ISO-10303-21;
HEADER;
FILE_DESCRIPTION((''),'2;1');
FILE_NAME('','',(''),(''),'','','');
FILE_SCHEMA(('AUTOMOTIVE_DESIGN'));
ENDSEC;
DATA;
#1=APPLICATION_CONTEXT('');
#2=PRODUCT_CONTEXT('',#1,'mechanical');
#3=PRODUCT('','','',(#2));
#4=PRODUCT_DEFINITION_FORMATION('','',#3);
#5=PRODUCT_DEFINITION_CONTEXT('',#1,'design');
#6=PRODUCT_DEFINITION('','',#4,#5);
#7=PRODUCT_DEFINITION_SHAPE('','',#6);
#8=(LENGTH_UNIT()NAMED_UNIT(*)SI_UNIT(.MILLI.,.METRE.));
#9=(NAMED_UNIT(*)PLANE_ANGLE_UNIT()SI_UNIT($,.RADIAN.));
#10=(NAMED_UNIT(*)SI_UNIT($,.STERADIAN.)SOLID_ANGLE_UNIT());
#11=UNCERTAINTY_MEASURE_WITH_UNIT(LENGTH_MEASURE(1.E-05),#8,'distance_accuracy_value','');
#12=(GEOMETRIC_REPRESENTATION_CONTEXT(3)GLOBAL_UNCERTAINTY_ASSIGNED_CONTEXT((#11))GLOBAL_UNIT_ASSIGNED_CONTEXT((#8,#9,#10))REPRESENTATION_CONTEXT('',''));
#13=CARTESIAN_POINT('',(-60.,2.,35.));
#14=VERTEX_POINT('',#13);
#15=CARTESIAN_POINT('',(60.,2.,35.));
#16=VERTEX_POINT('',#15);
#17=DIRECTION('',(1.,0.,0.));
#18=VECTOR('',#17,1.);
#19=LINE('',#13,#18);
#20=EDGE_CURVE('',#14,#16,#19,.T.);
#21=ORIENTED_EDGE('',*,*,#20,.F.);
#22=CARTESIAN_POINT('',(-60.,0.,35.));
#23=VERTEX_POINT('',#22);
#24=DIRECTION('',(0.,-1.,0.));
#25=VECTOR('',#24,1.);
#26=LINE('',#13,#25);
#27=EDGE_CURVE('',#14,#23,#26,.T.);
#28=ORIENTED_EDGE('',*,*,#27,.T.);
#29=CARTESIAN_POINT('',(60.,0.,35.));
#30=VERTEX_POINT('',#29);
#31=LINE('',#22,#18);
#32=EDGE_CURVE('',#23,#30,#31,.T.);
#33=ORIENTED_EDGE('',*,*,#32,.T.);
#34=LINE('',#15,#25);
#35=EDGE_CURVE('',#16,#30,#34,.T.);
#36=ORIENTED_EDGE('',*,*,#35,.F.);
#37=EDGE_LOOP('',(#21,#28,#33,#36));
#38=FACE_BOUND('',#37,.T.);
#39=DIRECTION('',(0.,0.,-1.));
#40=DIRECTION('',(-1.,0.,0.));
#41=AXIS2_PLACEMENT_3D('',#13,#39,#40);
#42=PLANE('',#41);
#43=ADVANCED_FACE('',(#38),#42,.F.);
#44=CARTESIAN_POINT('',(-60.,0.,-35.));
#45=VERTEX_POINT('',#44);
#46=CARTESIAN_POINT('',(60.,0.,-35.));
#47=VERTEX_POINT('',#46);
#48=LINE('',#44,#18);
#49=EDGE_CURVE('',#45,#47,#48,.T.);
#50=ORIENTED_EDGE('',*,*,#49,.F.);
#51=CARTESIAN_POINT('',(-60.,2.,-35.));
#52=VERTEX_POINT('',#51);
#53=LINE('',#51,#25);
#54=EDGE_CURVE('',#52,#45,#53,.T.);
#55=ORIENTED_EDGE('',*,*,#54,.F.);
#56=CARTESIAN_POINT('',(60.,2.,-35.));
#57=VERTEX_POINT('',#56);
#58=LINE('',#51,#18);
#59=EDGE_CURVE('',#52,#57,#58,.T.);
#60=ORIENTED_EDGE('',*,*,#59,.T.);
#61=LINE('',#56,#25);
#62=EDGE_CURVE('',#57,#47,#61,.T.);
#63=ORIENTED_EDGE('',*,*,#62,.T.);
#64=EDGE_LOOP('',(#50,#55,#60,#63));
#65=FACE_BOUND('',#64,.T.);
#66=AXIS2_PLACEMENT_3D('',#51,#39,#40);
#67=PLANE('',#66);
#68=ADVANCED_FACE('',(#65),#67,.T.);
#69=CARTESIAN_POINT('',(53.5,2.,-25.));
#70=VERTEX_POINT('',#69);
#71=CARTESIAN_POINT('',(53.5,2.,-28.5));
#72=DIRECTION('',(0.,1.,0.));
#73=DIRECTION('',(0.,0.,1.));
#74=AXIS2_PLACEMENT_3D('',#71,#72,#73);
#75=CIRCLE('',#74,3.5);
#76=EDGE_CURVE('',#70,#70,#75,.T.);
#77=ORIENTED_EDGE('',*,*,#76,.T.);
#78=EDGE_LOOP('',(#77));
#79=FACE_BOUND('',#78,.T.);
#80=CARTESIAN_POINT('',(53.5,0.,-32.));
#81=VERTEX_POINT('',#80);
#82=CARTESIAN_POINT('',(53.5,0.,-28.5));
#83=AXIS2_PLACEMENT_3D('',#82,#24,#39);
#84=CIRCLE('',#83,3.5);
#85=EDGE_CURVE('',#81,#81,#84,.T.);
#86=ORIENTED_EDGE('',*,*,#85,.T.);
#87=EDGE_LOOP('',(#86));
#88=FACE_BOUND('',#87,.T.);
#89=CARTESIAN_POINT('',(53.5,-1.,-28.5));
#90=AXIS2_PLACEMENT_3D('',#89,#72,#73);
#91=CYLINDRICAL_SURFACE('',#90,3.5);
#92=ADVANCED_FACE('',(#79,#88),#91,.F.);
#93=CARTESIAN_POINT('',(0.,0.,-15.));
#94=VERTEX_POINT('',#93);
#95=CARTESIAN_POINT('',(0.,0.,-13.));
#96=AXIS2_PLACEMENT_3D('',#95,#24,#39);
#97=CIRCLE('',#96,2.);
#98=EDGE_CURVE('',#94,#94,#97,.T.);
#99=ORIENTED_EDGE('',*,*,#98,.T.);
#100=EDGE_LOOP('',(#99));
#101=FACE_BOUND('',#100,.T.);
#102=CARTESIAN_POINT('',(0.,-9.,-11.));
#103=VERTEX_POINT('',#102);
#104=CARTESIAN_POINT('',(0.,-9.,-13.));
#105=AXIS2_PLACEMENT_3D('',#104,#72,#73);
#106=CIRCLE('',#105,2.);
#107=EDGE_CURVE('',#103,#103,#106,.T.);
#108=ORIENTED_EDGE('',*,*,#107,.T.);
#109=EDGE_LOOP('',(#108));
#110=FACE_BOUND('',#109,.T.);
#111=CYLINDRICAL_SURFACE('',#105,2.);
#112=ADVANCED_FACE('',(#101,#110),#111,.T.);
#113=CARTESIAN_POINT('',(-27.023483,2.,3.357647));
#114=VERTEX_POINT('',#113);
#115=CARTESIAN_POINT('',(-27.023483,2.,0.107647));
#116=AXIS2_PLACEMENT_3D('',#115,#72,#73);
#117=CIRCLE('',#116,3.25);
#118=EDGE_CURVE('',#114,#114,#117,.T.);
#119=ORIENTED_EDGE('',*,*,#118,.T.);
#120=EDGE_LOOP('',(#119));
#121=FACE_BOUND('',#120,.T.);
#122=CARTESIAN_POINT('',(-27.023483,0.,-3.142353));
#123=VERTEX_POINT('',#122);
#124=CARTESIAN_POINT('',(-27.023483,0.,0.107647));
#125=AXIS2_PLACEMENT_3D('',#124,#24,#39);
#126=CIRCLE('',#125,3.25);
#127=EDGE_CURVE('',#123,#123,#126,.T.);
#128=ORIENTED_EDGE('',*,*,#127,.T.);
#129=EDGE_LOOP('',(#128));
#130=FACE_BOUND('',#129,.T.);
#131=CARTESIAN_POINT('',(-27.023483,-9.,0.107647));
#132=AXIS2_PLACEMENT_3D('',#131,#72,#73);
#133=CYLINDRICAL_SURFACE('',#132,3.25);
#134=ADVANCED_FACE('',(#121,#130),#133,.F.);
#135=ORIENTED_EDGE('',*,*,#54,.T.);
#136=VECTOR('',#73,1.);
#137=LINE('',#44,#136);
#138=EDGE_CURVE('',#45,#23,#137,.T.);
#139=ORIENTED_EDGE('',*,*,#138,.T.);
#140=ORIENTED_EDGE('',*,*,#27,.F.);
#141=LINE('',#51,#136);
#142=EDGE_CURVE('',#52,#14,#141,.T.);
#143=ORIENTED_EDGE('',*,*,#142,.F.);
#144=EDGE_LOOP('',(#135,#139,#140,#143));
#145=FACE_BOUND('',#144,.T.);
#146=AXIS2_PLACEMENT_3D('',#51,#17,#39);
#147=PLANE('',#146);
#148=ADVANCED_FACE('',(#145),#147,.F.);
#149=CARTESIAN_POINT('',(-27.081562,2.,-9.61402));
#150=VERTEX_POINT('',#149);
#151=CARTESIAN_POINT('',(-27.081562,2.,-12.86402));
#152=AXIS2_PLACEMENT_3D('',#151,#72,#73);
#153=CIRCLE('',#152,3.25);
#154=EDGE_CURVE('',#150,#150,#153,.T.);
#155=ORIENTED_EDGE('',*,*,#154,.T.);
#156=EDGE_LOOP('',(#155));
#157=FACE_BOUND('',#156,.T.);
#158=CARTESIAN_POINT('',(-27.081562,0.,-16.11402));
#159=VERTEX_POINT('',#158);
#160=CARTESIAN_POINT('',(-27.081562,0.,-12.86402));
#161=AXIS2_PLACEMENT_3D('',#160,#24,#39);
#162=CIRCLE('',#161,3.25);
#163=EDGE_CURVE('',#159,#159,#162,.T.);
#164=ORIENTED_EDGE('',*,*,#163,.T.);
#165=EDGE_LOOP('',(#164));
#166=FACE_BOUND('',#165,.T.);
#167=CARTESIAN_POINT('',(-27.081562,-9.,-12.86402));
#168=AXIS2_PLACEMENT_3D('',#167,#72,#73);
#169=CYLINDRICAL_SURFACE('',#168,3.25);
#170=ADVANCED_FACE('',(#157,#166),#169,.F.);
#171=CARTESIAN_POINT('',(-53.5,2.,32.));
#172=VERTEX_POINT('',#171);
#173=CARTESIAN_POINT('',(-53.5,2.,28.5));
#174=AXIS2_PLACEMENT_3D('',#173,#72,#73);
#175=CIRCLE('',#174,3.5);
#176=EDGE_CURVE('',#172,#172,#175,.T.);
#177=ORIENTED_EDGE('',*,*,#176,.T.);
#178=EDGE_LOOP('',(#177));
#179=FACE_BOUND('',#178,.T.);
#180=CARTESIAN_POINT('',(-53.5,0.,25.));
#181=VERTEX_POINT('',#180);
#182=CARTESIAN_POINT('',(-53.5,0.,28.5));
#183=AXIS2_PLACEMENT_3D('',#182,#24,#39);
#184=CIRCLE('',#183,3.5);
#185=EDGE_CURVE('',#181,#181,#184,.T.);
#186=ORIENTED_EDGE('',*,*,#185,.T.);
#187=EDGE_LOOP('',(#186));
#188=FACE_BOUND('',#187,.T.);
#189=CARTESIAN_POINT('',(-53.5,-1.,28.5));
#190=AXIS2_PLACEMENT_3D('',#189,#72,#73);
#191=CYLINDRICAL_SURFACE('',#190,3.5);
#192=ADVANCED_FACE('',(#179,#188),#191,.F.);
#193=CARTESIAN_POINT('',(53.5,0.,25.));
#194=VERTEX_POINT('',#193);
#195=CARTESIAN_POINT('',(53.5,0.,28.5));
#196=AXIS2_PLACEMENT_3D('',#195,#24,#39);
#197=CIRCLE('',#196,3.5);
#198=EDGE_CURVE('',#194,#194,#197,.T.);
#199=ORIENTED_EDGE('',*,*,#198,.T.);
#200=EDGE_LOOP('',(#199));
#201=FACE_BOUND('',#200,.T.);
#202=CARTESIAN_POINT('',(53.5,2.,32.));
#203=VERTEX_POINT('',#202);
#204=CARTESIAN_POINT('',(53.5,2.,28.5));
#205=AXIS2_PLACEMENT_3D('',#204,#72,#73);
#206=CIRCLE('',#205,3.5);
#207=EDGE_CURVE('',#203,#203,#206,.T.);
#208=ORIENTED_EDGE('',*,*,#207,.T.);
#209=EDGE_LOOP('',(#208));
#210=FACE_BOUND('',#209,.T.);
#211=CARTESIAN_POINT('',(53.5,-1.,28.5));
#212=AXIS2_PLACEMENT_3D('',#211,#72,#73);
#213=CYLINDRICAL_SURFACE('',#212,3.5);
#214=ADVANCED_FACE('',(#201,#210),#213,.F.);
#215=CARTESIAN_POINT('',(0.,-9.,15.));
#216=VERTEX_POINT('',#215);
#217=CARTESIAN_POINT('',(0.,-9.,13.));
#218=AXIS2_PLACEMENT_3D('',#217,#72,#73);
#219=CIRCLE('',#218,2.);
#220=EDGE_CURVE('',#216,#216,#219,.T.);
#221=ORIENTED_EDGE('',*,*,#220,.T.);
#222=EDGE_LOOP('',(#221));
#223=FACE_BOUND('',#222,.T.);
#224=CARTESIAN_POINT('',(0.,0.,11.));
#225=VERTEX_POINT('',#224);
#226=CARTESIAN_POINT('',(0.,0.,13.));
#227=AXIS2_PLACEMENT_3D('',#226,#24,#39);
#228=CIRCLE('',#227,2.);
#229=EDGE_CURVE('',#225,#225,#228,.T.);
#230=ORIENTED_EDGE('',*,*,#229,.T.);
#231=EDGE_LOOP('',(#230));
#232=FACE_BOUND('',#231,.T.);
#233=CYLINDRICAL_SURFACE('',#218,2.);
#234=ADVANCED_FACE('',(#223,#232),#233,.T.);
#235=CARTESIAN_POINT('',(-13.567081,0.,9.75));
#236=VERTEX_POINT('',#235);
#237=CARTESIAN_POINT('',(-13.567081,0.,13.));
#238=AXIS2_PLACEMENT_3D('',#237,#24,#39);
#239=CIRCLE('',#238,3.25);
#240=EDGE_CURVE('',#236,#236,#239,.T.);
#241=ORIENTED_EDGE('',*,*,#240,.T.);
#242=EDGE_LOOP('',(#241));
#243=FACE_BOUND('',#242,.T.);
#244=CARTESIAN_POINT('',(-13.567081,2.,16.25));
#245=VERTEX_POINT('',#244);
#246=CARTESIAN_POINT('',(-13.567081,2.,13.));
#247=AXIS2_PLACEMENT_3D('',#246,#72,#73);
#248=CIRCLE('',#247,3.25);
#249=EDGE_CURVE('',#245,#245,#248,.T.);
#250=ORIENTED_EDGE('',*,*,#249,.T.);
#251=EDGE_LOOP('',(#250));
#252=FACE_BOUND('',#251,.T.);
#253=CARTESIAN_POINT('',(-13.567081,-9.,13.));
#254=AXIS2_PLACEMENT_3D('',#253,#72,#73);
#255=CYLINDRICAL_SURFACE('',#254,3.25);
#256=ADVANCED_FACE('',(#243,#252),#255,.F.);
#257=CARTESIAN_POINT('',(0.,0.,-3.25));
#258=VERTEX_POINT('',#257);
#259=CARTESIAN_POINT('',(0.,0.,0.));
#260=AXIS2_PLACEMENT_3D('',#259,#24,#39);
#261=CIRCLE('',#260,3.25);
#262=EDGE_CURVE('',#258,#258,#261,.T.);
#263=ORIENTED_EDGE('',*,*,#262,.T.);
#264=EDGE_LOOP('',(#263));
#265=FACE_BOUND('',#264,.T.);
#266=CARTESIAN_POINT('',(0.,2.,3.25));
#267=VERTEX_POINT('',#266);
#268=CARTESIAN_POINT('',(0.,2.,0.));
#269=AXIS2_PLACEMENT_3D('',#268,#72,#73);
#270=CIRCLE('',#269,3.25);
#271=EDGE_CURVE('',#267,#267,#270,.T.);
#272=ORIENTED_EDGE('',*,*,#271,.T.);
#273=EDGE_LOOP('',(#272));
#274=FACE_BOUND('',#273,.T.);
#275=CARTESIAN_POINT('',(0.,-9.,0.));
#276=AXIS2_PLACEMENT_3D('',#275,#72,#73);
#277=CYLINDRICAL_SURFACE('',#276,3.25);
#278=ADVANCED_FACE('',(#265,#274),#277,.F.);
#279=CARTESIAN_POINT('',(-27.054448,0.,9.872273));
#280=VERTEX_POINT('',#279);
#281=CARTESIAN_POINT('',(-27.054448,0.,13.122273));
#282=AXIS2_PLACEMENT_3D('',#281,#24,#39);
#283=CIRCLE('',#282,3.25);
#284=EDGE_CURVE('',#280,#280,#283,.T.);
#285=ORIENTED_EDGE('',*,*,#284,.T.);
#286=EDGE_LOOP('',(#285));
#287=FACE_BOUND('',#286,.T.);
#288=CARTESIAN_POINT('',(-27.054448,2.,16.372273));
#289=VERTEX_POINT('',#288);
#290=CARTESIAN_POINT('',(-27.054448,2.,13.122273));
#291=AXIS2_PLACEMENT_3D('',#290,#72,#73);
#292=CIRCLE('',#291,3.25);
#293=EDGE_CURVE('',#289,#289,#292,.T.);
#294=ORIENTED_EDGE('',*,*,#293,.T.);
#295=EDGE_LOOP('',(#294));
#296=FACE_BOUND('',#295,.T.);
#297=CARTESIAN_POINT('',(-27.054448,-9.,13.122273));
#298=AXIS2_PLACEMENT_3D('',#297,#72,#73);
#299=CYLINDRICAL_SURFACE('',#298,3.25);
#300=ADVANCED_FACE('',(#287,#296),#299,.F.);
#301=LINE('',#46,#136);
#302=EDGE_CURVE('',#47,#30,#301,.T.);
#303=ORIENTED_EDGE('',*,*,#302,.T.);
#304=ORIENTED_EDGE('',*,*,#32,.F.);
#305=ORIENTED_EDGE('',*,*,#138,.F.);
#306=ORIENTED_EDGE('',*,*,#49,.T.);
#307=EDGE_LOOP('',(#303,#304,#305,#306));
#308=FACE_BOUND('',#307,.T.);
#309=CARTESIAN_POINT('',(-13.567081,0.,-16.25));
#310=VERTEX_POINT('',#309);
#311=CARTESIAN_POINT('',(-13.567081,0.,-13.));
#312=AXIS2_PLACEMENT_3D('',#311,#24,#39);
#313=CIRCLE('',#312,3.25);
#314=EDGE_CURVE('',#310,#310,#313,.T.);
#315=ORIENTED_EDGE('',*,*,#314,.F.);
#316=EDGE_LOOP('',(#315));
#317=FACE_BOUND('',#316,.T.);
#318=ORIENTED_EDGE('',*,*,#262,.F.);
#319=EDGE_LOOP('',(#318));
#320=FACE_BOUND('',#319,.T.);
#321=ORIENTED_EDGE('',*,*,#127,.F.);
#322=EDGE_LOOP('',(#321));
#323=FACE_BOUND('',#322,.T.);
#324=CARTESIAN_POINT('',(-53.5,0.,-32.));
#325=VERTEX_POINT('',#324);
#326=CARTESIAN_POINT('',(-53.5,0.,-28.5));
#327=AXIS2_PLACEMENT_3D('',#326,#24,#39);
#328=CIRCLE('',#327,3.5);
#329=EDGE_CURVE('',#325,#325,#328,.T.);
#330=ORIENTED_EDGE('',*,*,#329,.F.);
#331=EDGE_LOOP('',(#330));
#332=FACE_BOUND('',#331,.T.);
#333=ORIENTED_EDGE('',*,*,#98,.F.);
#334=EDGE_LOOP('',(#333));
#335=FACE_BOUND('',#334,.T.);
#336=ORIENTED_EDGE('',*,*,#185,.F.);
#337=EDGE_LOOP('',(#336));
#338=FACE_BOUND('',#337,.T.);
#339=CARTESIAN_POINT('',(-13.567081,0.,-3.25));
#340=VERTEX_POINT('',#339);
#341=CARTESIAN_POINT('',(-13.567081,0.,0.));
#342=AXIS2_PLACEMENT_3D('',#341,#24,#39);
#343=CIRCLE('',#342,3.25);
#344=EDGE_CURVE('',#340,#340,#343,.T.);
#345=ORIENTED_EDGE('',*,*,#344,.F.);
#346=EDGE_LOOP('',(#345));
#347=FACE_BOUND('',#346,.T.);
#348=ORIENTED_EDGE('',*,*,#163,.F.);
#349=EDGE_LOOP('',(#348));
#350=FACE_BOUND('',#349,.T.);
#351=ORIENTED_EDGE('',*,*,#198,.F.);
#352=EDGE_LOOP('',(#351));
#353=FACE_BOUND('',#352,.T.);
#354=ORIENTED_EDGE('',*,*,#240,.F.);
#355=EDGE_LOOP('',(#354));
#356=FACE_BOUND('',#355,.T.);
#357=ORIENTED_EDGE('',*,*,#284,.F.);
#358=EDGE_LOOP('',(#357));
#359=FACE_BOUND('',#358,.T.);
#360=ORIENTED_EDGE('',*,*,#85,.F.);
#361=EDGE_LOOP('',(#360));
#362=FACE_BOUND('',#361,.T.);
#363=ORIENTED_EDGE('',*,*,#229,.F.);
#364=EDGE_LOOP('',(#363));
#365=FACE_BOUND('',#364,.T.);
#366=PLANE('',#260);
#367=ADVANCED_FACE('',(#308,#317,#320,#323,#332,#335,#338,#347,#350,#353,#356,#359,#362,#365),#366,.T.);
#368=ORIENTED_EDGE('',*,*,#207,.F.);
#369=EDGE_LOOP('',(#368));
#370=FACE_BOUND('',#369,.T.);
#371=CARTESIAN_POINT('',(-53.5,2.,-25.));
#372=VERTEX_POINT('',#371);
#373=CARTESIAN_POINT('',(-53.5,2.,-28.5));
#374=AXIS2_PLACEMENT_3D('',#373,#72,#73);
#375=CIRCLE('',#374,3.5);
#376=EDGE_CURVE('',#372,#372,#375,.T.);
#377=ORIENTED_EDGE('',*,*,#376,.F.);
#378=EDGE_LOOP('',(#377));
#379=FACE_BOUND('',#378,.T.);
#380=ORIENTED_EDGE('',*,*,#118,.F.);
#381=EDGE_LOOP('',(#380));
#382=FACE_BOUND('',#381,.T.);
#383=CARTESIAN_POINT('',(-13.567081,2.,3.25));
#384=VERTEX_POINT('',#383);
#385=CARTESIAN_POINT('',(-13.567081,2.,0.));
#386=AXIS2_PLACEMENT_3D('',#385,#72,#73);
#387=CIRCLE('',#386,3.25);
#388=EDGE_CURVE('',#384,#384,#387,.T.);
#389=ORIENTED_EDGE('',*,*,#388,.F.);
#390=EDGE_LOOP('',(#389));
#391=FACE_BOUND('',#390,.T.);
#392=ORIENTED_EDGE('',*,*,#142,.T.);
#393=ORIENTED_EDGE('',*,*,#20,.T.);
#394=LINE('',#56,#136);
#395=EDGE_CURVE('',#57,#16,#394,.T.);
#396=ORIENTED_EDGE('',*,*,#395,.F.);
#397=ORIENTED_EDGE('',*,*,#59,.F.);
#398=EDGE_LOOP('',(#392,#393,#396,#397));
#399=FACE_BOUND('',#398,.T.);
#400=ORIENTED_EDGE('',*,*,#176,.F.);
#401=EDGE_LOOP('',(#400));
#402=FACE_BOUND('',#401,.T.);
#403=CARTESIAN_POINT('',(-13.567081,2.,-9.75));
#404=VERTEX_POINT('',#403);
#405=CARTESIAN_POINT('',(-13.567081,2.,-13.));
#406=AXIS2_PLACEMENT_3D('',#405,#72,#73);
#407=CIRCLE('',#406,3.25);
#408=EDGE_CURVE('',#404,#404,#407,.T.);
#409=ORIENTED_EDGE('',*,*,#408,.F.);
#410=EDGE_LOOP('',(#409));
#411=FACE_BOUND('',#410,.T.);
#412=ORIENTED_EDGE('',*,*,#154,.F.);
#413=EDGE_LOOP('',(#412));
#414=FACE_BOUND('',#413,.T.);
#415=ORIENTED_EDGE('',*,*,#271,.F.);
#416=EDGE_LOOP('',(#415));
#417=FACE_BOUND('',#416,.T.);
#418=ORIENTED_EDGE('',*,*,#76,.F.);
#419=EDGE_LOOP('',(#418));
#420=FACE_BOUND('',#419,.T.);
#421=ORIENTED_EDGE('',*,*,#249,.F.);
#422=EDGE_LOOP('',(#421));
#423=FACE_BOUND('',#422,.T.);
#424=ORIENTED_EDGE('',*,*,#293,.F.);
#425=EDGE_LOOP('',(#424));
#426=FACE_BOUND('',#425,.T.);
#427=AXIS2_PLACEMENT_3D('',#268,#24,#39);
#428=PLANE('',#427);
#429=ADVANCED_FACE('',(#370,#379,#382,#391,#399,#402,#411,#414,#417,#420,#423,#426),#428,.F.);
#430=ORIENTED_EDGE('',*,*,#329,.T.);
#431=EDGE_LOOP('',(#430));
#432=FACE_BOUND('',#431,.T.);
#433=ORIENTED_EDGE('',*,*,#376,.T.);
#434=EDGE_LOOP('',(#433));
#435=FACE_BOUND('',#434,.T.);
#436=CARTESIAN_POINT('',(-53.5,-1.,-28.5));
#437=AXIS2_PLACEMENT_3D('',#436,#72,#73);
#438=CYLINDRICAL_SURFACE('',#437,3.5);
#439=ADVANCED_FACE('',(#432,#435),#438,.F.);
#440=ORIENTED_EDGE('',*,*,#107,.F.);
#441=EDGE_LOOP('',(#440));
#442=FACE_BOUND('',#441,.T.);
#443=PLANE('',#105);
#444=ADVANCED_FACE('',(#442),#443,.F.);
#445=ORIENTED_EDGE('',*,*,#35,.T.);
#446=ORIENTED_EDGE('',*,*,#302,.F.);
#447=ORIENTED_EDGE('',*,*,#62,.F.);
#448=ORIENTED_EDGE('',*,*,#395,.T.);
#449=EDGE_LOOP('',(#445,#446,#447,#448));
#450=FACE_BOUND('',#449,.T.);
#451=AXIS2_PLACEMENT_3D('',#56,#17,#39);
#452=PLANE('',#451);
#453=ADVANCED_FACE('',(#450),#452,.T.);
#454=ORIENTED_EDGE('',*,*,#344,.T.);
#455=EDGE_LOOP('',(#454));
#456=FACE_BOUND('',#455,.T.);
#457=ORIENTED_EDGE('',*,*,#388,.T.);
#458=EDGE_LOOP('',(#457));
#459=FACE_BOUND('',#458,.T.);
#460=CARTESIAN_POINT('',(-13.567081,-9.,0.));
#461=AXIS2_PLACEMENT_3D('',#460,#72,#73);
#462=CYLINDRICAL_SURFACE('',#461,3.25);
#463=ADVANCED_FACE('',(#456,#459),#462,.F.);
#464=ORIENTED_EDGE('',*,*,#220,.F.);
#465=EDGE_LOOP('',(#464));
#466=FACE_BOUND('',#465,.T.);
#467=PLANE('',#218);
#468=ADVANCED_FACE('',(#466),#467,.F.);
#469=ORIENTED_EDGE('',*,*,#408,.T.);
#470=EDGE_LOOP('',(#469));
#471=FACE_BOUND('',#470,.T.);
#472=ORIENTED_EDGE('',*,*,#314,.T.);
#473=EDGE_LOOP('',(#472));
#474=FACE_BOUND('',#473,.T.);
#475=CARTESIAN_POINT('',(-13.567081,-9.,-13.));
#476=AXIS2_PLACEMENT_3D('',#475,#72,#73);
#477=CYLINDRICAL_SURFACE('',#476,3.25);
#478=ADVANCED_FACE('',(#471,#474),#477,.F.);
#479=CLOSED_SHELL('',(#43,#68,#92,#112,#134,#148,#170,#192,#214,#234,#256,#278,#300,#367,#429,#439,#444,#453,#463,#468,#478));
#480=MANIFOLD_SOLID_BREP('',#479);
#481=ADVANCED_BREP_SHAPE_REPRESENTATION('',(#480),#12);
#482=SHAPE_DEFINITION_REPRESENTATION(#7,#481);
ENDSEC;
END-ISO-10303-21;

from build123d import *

# Parameters (mm, degrees)
SKETCH1_W           = 120
SKETCH1_H           = 70
BOSS_EXTRUDE1_DEPTH = 2
SKETCH3_R           = 3.5
CUT_EXTRUDE1_DEPTH  = 3
SKETCH6_R           = 2
BOSS_EXTRUDE2_DEPTH = 11
SKETCH4_R           = 3.25
CUT_EXTRUDE2_DEPTH  = 11


with BuildPart() as part:
    # Sketch1 → Boss-Extrude1 (new body)
    with BuildSketch(Plane(origin=(0, 0, 0), x_dir=(1, 0, 0), z_dir=(0, 1, 0))):
        Rectangle(SKETCH1_W, SKETCH1_H)
    extrude(amount=BOSS_EXTRUDE1_DEPTH)

    # Sketch3 → Cut-Extrude1 (cut)
    with BuildSketch(Plane(origin=(0, 2, 0), x_dir=(1, 0, 0), z_dir=(0, 1, 0))):
        with Locations(Location((-53.5, 28.5, 0), (0, 0, 270))):
            Circle(SKETCH3_R)
        with Locations(Location((53.5, 28.5, 0), (0, 0, 270))):
            Circle(SKETCH3_R)
        with Locations(Location((-53.5, -28.5, 0), (0, 0, 270))):
            Circle(SKETCH3_R)
        with Locations(Location((53.5, -28.5, 0), (0, 0, 270))):
            Circle(SKETCH3_R)
    extrude(amount=-CUT_EXTRUDE1_DEPTH, mode=Mode.SUBTRACT)

    # Sketch6 → Boss-Extrude2 (add)
    with BuildSketch(Plane(origin=(0, 2, 0), x_dir=(1, 0, 0), z_dir=(0, 1, 0))):
        with Locations(Location((0, -13, 0), (0, 0, 270))):
            Circle(SKETCH6_R)
        with Locations(Location((0, 13, 0), (0, 0, 270))):
            Circle(SKETCH6_R)
    extrude(amount=-BOSS_EXTRUDE2_DEPTH)

    # Sketch4 → Cut-Extrude2 (cut)
    with BuildSketch(Plane(origin=(0, 2, 0), x_dir=(1, 0, 0), z_dir=(0, 1, 0))):
        with Locations(Location((-27.054448087, -13.122273409, 0), (0, 0, 270))):
            Circle(SKETCH4_R)
        with Locations(Location((-27.023483048, -0.10764713, 0), (0, 0, 270))):
            Circle(SKETCH4_R)
        with Locations(Location((-27.081562274, 12.864019897, 0), (0, 0, 270))):
            Circle(SKETCH4_R)
        with Locations(Location((-13.567081484, 0, 0), (0, 0, 270))):
            Circle(SKETCH4_R)
        with Locations(Location((-13.567081484, -13, 0), (0, 0, 270))):
            Circle(SKETCH4_R)
        with Locations(Location((-13.567081484, 13, 0), (0, 0, 270))):
            Circle(SKETCH4_R)
        with Locations(Location((0, 0, 0), (0, 0, 270))):
            Circle(SKETCH4_R)
    extrude(amount=-CUT_EXTRUDE2_DEPTH, mode=Mode.SUBTRACT)


solid = part.part
